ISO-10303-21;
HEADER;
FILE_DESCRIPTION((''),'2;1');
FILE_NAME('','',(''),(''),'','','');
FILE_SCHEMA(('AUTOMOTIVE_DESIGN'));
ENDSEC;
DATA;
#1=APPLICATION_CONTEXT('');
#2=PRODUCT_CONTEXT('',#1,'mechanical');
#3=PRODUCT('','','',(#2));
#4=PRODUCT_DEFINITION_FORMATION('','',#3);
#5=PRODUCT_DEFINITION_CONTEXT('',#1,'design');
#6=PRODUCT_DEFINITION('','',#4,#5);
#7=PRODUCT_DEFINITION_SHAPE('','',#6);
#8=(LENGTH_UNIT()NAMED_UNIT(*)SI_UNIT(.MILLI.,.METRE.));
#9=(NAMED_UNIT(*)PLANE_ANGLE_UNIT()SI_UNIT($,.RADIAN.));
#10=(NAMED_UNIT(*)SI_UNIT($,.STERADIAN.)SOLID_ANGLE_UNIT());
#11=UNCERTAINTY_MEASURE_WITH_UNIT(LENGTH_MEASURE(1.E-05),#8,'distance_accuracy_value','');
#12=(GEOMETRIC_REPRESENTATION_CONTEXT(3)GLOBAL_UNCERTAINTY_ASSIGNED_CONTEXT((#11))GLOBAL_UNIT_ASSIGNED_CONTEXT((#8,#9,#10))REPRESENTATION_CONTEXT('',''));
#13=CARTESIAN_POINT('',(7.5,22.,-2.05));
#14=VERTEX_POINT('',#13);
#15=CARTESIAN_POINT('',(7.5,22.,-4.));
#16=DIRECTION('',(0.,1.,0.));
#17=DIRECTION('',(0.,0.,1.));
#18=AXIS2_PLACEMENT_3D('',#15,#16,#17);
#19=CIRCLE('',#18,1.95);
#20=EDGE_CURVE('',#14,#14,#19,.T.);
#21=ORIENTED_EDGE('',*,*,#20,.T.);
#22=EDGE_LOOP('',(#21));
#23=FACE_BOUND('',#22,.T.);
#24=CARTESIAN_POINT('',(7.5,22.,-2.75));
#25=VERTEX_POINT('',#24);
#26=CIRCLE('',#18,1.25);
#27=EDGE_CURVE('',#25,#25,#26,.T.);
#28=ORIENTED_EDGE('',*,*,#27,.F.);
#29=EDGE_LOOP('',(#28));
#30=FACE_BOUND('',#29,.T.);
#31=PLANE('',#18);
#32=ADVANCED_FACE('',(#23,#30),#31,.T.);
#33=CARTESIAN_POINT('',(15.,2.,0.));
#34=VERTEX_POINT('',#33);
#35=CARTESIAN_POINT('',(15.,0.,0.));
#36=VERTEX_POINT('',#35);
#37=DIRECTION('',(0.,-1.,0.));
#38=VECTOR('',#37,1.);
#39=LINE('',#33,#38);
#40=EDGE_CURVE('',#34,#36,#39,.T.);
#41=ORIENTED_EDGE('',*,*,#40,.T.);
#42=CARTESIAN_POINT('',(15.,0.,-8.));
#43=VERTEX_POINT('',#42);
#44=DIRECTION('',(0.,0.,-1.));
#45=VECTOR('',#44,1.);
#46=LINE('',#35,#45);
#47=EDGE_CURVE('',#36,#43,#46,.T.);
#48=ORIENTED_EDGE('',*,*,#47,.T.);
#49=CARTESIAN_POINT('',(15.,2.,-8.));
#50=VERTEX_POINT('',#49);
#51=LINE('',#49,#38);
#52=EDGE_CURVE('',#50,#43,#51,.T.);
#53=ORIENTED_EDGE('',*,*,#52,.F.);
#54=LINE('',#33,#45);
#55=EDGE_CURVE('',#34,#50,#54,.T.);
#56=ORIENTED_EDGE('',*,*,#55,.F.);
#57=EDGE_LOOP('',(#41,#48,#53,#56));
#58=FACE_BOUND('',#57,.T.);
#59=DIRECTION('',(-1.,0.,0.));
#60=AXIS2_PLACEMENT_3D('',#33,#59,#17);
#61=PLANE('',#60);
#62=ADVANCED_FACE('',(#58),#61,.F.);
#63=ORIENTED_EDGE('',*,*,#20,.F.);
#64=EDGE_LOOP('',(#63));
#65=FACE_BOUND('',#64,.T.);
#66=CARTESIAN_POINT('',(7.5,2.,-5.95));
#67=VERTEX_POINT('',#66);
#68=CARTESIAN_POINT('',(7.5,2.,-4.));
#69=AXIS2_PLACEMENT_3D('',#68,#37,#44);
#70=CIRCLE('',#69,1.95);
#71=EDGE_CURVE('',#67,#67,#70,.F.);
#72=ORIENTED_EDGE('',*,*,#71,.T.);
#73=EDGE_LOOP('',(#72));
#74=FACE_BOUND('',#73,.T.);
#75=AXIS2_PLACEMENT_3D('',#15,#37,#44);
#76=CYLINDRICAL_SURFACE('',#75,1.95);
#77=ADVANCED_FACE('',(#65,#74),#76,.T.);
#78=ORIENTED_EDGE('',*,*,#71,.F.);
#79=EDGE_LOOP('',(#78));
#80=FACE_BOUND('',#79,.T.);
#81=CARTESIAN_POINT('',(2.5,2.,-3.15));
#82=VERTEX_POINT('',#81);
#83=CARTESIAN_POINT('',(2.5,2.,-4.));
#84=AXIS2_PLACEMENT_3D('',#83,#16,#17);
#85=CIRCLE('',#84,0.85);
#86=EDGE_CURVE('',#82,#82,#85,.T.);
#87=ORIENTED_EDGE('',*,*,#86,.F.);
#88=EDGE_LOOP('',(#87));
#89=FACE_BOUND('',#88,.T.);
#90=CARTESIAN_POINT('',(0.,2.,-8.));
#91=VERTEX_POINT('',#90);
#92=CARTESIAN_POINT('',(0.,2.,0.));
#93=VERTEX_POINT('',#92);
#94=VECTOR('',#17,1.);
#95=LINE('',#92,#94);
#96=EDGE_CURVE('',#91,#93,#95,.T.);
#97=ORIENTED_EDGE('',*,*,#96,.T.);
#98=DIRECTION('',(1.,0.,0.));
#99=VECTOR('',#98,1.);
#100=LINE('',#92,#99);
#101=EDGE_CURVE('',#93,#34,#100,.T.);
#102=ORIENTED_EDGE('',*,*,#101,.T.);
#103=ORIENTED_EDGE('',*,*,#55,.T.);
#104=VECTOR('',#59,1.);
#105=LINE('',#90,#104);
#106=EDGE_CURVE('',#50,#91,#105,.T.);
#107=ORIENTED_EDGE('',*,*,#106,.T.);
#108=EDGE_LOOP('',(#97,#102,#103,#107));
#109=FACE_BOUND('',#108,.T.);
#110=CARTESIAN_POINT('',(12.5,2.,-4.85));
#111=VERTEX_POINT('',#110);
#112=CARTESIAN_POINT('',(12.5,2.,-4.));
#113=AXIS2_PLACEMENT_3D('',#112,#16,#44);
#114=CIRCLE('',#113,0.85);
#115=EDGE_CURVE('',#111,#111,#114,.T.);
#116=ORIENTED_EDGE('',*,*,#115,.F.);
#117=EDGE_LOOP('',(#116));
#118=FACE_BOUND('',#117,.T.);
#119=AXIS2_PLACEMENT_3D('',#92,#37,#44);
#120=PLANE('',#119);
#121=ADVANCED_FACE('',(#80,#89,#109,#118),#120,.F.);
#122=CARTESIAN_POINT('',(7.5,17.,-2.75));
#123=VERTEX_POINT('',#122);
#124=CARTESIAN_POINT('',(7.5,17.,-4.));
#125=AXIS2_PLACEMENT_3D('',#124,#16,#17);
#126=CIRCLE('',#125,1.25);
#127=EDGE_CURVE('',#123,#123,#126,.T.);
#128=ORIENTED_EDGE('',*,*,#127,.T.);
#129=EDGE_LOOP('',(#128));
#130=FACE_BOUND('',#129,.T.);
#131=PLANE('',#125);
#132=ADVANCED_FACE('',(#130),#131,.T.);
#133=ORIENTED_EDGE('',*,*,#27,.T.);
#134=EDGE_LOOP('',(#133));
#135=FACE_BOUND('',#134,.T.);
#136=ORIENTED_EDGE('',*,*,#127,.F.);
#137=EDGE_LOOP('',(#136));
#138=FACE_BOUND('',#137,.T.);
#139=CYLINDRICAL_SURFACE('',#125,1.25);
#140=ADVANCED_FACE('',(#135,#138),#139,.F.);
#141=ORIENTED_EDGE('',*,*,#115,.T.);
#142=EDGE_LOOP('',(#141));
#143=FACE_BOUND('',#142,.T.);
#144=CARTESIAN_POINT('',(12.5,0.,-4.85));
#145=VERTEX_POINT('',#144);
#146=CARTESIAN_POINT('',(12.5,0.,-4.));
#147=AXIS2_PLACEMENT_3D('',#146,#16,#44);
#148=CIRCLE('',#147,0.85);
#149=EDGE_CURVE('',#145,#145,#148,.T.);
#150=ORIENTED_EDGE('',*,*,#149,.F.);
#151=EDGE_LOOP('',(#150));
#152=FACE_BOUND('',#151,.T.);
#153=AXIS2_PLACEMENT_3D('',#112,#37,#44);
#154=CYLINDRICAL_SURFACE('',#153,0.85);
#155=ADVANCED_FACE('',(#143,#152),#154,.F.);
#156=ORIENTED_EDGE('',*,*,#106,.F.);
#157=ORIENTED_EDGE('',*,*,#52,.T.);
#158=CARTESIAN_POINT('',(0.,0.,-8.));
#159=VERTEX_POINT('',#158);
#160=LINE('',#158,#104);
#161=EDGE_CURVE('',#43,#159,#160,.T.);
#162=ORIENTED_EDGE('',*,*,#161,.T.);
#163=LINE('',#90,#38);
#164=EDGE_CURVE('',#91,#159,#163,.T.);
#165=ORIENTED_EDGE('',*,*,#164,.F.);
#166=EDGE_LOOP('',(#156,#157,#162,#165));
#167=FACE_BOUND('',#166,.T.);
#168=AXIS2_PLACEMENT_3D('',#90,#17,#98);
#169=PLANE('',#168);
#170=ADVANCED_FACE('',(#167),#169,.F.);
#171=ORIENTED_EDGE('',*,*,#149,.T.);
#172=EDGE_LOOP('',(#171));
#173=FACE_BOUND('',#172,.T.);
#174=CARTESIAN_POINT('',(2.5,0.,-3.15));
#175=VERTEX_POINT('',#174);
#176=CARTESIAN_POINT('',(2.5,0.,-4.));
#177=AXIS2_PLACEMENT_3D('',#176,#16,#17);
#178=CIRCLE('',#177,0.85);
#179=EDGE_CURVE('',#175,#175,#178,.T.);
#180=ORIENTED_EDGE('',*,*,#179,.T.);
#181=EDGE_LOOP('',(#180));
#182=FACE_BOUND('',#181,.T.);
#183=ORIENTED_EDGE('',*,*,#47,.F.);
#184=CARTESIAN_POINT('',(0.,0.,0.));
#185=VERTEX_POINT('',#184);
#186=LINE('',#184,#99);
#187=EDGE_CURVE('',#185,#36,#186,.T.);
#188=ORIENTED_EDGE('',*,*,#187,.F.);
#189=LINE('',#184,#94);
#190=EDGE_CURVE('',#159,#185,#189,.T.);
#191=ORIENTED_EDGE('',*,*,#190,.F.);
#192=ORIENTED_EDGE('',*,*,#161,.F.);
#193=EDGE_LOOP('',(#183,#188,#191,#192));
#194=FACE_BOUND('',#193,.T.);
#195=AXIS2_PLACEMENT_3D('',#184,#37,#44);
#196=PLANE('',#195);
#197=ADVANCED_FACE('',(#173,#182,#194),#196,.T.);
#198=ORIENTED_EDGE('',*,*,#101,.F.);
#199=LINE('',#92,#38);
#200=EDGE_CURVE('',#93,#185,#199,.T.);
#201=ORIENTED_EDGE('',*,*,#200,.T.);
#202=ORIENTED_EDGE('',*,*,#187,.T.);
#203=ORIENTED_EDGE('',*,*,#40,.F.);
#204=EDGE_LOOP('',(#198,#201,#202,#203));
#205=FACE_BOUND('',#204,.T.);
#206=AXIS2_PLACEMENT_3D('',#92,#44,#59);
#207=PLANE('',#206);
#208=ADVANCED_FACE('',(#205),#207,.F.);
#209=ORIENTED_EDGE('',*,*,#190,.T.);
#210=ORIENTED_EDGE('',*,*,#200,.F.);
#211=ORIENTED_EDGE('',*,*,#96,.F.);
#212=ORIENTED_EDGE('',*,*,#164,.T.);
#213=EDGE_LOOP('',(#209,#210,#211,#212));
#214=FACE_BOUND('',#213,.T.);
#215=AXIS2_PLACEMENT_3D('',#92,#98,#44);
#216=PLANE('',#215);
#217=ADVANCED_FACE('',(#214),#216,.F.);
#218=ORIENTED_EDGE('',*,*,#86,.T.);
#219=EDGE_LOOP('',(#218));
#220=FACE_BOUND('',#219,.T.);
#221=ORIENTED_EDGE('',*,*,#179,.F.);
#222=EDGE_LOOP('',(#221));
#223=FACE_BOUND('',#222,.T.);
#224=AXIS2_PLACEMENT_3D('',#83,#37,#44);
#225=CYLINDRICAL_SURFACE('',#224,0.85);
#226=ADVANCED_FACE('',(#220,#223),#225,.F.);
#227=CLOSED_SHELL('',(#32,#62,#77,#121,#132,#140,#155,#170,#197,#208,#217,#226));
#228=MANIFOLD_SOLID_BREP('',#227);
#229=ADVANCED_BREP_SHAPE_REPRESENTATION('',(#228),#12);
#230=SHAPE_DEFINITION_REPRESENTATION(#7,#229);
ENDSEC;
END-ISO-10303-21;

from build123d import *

# Parameters (mm, degrees)
SKETCH_1_W          = 15
SKETCH_1_H          = 8
SKETCH_1_R          = 0.85
EXTRUDE_1_DEPTH     = 2
SKETCH_2_R          = 1.95
EXTRUDE_2_DEPTH     = 20
SKETCH_3_R          = 1.25
CUT_EXTRUDE_1_DEPTH = 5


with BuildPart() as part:
    # 草图1 → 凸台-拉伸1 (new body)
    with BuildSketch(Plane(origin=(0, 0, 0), x_dir=(1, 0, 0), z_dir=(0, 1, 0))):
        with Locations((7.5, 4)):
            Rectangle(SKETCH_1_W, SKETCH_1_H)
        with Locations(Location((2.5, 4, 0), (0, 0, 270))):
            Circle(SKETCH_1_R, mode=Mode.SUBTRACT)
        with Locations(Location((12.5, 4, 0), (0, 0, 90))):
            Circle(SKETCH_1_R, mode=Mode.SUBTRACT)
    extrude(amount=EXTRUDE_1_DEPTH)

    # 草图2 → 凸台-拉伸2 (add)
    with BuildSketch(Plane(origin=(0, 2, 0), x_dir=(1, 0, 0), z_dir=(0, 1, 0))):
        with Locations(Location((7.5, 4, 0), (0, 0, 90))):
            Circle(SKETCH_2_R)
    extrude(amount=EXTRUDE_2_DEPTH)

    # 草图3 → 切除-拉伸1 (cut)
    with BuildSketch(Plane(origin=(0, 22, 0), x_dir=(1, 0, 0), z_dir=(0, 1, 0))):
        with Locations(Location((7.5, 4, 0), (0, 0, 270))):
            Circle(SKETCH_3_R)
    extrude(amount=-CUT_EXTRUDE_1_DEPTH, mode=Mode.SUBTRACT)


solid = part.part
